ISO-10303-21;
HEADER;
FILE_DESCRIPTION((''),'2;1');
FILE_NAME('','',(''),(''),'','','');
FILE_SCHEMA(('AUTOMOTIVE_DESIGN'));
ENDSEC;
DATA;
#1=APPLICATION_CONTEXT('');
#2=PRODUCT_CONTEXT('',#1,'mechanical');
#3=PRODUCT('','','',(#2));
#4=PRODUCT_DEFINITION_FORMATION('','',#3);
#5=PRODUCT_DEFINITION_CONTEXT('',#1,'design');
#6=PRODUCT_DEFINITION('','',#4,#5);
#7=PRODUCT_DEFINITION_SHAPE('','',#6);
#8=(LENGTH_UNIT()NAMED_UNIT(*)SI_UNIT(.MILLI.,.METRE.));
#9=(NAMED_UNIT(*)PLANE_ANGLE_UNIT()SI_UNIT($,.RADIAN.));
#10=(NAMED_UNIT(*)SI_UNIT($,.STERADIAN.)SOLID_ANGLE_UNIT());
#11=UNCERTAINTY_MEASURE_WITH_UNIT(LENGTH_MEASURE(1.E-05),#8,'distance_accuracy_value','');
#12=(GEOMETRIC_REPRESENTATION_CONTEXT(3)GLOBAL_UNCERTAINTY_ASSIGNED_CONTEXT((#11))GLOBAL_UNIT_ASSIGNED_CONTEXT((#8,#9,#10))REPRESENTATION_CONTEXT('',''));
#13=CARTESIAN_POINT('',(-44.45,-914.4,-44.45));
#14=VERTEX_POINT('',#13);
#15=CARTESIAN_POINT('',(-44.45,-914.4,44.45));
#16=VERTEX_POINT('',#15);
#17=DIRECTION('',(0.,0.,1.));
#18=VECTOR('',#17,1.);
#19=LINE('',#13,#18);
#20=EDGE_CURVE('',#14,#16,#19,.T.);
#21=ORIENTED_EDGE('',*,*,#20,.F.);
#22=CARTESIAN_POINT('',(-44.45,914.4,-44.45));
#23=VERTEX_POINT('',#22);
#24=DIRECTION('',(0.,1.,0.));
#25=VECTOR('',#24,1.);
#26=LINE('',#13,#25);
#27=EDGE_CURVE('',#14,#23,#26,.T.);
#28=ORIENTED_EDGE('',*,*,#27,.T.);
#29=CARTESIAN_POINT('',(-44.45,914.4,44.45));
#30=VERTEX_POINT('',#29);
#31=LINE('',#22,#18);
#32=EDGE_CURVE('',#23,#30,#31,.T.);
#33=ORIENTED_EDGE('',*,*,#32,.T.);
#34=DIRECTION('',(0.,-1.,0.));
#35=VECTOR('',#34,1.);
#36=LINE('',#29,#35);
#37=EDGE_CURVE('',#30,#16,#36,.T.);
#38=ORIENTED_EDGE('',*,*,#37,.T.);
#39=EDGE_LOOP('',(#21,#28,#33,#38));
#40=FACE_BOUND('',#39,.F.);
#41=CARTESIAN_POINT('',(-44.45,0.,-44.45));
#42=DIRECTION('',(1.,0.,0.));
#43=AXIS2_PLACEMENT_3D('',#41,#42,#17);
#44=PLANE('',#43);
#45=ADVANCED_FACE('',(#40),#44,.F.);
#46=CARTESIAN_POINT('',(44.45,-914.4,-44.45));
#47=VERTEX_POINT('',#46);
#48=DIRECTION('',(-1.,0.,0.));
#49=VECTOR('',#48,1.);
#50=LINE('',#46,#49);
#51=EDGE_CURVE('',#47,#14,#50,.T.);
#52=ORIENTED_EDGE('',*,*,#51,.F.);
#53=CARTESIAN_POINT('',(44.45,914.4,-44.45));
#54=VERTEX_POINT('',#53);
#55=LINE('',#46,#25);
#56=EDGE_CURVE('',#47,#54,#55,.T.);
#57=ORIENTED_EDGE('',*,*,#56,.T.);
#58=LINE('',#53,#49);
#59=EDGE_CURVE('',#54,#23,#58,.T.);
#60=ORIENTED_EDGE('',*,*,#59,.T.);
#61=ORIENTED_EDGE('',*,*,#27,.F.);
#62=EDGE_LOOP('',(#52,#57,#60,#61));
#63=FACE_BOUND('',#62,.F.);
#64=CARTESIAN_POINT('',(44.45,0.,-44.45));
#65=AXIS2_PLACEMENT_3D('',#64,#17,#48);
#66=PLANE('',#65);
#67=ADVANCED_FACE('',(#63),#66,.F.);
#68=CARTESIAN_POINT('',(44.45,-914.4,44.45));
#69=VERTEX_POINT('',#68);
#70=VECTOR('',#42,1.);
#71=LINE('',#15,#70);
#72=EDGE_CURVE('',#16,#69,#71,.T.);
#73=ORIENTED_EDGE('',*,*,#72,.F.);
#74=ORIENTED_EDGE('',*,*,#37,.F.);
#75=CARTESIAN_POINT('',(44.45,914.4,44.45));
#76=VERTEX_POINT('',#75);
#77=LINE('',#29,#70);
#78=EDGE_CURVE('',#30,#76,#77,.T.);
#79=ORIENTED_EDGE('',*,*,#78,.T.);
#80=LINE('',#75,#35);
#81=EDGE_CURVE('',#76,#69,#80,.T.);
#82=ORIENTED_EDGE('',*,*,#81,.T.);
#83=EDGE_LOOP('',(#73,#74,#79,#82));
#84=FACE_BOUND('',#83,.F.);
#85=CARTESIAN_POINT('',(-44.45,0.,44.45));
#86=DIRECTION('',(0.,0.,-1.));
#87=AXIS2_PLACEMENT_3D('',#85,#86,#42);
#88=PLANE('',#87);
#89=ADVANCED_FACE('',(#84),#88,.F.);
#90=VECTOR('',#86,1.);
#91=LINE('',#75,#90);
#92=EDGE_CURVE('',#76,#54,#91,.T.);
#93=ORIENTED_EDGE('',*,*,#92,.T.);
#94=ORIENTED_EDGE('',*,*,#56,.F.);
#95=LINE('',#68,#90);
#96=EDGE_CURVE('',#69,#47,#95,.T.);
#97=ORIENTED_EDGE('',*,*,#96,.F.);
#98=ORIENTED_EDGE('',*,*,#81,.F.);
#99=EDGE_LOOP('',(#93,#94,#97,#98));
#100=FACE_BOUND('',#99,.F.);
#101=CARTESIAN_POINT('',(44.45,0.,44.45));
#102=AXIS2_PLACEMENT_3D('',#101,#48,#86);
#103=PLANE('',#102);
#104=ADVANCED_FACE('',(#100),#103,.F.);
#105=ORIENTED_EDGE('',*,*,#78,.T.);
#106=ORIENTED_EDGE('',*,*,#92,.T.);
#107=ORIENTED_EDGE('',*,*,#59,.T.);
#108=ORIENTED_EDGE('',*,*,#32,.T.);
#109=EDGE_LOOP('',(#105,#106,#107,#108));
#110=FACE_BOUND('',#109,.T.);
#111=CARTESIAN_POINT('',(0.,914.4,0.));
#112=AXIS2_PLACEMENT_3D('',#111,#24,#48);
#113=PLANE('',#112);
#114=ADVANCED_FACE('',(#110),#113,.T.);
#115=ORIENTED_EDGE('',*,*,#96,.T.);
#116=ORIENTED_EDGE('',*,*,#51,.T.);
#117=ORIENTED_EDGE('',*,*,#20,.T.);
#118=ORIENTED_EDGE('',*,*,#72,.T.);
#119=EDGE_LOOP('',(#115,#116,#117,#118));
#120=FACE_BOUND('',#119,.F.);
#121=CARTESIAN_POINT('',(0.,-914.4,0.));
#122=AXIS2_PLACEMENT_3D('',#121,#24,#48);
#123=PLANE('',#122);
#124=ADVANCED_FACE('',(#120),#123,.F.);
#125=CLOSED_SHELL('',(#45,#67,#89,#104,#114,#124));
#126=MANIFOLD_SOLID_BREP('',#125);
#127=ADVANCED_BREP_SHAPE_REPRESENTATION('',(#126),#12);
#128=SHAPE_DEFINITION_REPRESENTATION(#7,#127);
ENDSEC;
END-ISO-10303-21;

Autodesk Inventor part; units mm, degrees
ref_plane "YZ Plane" through (0, 0, 0) normal (1, 0, 0) x (0, 1, 0)
ref_plane "XZ Plane" through (0, 0, 0) normal (0, 1, 0) x (-1, 0, 0)
ref_plane "XY Plane" through (0, 0, 0) normal (0, 0, 1) x (1, 0, 0)
sketch "Sketch1" plane through (0, 0, 0) normal (0, 1, 0) x (-1, 0, 0)
  line L0 (-44.45, -44.45) -> (44.45, -44.45)
  line L1 (44.45, -44.45) -> (44.45, 44.45)
  line L2 (44.45, 44.45) -> (-44.45, 44.45)
  line L3 (-44.45, 44.45) -> (-44.45, -44.45)
  line L4 (-44.45, -44.45) -> (44.45, 44.45) construction
  line L5 (44.45, -44.45) -> (-44.45, 44.45) construction
  point P0 (0, 0)
  dimension "d0" = 88.9
  dimension "d1" = 88.9
extrude "Extrusion1" add sketch "Sketch1" along normal mid plane 1828.8
properties part number "4x4x72"
